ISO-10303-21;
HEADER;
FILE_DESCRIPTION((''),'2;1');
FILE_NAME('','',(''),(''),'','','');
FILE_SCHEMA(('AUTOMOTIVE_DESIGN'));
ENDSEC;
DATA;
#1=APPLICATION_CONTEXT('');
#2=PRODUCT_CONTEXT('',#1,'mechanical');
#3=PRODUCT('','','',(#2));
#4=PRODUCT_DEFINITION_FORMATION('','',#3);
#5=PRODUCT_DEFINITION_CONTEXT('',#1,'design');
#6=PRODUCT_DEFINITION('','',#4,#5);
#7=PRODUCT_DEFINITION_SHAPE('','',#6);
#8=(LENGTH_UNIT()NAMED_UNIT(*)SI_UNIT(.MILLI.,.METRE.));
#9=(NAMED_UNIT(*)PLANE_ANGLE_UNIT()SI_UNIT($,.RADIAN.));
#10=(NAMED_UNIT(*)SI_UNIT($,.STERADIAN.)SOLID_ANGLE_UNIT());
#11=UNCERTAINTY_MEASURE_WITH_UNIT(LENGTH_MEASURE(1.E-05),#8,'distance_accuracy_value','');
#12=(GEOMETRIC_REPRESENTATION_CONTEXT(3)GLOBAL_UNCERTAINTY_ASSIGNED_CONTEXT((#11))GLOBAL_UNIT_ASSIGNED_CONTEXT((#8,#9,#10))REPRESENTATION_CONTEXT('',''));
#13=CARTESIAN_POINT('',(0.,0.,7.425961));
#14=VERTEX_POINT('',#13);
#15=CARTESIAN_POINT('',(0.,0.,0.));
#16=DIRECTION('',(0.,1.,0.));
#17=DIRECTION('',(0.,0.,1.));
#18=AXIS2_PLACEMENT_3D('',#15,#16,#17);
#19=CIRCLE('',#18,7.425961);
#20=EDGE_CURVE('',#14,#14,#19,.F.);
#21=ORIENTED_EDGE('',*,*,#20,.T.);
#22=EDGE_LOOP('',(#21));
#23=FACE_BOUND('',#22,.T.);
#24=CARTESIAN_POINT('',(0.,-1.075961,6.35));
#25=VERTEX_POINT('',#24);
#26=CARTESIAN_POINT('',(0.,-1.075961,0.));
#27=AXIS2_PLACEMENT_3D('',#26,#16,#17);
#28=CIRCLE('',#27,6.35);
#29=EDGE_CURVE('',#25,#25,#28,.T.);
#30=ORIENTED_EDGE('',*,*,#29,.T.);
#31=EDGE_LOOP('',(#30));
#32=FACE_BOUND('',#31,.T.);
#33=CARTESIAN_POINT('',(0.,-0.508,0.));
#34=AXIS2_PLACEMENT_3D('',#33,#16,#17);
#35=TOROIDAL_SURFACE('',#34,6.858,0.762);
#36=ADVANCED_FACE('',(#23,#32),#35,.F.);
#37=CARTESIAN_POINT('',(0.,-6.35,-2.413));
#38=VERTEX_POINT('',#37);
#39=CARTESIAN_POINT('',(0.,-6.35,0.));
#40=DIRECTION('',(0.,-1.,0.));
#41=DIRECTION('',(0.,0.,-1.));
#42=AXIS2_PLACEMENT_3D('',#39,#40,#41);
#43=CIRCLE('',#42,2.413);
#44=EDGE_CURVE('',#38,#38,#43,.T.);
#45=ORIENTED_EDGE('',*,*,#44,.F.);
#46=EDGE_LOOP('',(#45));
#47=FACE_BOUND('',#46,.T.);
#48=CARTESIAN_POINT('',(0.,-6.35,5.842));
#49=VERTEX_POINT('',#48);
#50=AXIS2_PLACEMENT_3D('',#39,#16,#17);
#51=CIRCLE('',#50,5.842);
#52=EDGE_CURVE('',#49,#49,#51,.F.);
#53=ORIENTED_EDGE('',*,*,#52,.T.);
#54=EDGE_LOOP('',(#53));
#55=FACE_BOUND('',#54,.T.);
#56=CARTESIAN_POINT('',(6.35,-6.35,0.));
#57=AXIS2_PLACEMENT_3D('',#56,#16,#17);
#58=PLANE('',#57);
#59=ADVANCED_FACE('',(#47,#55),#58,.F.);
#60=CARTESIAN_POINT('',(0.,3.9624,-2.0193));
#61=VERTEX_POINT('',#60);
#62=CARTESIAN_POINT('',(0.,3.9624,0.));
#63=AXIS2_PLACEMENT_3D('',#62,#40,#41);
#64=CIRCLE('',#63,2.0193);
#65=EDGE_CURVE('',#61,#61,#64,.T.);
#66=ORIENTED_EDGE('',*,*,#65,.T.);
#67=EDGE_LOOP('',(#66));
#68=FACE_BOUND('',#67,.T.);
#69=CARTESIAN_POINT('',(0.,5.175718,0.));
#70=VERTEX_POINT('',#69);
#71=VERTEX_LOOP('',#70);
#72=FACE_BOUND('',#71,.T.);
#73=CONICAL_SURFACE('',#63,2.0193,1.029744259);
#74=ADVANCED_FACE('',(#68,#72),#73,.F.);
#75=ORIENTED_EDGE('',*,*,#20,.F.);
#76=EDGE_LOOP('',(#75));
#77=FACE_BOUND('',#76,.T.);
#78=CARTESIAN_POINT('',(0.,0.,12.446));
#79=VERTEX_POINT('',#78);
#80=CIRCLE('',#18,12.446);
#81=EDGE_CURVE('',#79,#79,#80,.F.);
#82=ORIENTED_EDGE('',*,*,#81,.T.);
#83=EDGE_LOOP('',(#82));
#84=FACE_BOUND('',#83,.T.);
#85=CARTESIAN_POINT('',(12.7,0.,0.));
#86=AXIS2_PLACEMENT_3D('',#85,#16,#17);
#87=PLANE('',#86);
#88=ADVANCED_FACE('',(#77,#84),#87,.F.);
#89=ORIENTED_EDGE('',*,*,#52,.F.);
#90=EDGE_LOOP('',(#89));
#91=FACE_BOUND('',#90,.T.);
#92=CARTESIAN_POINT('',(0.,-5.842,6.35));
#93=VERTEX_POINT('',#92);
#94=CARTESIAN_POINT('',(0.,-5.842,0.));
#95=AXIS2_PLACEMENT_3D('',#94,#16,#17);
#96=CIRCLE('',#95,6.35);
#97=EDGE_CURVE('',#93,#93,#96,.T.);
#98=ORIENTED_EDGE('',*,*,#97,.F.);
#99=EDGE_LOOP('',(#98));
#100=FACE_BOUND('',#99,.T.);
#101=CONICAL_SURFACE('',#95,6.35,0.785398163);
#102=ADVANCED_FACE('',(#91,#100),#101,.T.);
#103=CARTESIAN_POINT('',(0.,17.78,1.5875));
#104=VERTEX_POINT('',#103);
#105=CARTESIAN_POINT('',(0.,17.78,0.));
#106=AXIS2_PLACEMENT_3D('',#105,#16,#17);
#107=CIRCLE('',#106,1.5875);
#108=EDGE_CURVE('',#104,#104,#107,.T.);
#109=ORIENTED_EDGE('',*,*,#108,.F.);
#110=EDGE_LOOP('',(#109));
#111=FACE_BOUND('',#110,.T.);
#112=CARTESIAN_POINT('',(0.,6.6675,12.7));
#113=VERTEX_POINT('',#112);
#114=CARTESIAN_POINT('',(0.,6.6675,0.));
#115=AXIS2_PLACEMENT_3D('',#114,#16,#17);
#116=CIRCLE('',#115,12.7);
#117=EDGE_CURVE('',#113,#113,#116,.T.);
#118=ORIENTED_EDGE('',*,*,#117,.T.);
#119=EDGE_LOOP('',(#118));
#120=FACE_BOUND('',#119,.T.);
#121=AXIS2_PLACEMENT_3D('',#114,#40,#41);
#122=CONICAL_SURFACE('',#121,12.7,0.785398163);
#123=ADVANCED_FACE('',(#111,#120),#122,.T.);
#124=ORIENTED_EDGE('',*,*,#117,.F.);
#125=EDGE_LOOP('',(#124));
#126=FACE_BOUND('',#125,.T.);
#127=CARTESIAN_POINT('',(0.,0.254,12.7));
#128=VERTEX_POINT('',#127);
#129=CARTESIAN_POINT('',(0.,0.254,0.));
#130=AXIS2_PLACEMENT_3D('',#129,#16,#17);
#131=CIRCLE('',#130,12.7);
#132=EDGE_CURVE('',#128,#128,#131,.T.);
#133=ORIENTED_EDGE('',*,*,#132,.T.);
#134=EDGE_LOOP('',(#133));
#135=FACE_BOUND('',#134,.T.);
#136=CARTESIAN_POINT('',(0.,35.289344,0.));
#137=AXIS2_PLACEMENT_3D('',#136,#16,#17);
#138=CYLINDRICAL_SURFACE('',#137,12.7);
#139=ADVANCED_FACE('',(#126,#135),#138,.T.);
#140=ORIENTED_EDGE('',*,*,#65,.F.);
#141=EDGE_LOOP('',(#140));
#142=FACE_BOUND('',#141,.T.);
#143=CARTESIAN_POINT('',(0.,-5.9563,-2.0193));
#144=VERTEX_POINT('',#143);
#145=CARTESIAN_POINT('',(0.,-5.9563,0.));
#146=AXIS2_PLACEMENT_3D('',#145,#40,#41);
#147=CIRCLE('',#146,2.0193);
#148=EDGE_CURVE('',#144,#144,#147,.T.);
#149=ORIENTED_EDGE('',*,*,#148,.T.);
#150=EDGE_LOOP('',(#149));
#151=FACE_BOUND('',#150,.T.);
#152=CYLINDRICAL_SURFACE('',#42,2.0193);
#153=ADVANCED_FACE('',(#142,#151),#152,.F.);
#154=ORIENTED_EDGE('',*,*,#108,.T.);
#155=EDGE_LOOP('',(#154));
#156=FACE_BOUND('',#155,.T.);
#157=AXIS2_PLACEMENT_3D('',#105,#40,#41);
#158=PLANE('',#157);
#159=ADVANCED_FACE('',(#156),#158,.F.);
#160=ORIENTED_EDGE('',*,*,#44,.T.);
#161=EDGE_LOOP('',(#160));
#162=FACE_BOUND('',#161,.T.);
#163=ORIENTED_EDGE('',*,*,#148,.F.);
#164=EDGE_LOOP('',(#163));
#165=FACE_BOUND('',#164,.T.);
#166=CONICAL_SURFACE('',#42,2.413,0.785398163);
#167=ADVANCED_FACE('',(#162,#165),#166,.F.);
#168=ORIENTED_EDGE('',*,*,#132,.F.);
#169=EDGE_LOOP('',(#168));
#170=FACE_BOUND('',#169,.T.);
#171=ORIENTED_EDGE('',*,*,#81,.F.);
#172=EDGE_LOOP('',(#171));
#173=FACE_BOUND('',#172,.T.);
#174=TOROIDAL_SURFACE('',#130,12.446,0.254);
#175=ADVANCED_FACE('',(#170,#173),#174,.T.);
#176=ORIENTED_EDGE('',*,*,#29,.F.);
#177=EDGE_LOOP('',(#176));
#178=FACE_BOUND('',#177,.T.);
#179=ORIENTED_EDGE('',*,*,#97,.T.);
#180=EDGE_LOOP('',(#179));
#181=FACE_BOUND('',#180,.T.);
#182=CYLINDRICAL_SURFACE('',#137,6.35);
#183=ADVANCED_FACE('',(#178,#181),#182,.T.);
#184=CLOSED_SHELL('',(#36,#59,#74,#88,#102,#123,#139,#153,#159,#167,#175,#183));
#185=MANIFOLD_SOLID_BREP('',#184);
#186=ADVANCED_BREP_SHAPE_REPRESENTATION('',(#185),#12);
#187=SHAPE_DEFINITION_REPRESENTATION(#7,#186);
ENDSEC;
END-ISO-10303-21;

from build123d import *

# Parameters (mm, degrees)
SKETCH2_R                        = 0.762
CHAMFER1_SIZE                    = 0.508
FILLET1_R                        = 0.254
F_10_32_TAPPED_HOLE1_D           = 4.0386
F_10_32_TAPPED_HOLE1_DEPTH       = 10.3124
F_10_32_TAPPED_HOLE1_CSINK_D     = 4.826
F_10_32_TAPPED_HOLE1_CSINK_ANGLE = 90
F_10_32_TAPPED_HOLE1_TIP         = 1.213317848


with BuildPart() as part:
    # Sketch1 → Revolve1 (revolve)
    with BuildSketch(Plane.XY, mode=Mode.PRIVATE) as revolve1_sk:
        Polygon((12.7, 0), (6.35, 0), (6.35, -6.35), (0, -6.35), (0, 17.78), (1.5875, 17.78), (12.7, 6.6675), align=None)
    revolve(revolve1_sk.sketch.rotate(Axis((0, 35.289344262, 0), (0, -1, 0)), 90), axis=Axis((0, 35.289344262, 0), (0, -1, 0)))  # turned: the seam where the file's is

    # Sketch2 → Cut-Revolve1 (revolve, cut)
    with BuildSketch(Plane.XY, mode=Mode.PRIVATE) as cut_revolve1_sk:
        with Locations((6.858, -0.508)):
            Circle(SKETCH2_R)
    revolve(cut_revolve1_sk.sketch.rotate(Axis((0, 0, 0), (0, -1, 0)), 90), axis=Axis((0, 0, 0), (0, -1, 0)), mode=Mode.SUBTRACT)  # turned: the seam where the file's is

    # Chamfer1
    chamfer1_edges = [part.edges().sort_by_distance(p)[0] for p in [
        (0, -6.35, -6.35),
    ]]
    chamfer(chamfer1_edges, length=CHAMFER1_SIZE)

    # Fillet1
    fillet1_edges = [part.edges().sort_by_distance(p)[0] for p in [
        (0, 0, -12.7),
    ]]
    fillet(fillet1_edges, radius=FILLET1_R)

    # 10-32 Tapped Hole1
    with Locations(Plane.XZ.offset(6.35)):
        with Locations((0, 0)):
            CounterSinkHole(F_10_32_TAPPED_HOLE1_D / 2, F_10_32_TAPPED_HOLE1_CSINK_D / 2, depth=F_10_32_TAPPED_HOLE1_DEPTH, counter_sink_angle=F_10_32_TAPPED_HOLE1_CSINK_ANGLE)
            with Locations((0, 0, -(F_10_32_TAPPED_HOLE1_DEPTH + F_10_32_TAPPED_HOLE1_TIP / 2))):  # 118° drill point
                Cone(0, F_10_32_TAPPED_HOLE1_D / 2, F_10_32_TAPPED_HOLE1_TIP, mode=Mode.SUBTRACT)


solid = part.part
